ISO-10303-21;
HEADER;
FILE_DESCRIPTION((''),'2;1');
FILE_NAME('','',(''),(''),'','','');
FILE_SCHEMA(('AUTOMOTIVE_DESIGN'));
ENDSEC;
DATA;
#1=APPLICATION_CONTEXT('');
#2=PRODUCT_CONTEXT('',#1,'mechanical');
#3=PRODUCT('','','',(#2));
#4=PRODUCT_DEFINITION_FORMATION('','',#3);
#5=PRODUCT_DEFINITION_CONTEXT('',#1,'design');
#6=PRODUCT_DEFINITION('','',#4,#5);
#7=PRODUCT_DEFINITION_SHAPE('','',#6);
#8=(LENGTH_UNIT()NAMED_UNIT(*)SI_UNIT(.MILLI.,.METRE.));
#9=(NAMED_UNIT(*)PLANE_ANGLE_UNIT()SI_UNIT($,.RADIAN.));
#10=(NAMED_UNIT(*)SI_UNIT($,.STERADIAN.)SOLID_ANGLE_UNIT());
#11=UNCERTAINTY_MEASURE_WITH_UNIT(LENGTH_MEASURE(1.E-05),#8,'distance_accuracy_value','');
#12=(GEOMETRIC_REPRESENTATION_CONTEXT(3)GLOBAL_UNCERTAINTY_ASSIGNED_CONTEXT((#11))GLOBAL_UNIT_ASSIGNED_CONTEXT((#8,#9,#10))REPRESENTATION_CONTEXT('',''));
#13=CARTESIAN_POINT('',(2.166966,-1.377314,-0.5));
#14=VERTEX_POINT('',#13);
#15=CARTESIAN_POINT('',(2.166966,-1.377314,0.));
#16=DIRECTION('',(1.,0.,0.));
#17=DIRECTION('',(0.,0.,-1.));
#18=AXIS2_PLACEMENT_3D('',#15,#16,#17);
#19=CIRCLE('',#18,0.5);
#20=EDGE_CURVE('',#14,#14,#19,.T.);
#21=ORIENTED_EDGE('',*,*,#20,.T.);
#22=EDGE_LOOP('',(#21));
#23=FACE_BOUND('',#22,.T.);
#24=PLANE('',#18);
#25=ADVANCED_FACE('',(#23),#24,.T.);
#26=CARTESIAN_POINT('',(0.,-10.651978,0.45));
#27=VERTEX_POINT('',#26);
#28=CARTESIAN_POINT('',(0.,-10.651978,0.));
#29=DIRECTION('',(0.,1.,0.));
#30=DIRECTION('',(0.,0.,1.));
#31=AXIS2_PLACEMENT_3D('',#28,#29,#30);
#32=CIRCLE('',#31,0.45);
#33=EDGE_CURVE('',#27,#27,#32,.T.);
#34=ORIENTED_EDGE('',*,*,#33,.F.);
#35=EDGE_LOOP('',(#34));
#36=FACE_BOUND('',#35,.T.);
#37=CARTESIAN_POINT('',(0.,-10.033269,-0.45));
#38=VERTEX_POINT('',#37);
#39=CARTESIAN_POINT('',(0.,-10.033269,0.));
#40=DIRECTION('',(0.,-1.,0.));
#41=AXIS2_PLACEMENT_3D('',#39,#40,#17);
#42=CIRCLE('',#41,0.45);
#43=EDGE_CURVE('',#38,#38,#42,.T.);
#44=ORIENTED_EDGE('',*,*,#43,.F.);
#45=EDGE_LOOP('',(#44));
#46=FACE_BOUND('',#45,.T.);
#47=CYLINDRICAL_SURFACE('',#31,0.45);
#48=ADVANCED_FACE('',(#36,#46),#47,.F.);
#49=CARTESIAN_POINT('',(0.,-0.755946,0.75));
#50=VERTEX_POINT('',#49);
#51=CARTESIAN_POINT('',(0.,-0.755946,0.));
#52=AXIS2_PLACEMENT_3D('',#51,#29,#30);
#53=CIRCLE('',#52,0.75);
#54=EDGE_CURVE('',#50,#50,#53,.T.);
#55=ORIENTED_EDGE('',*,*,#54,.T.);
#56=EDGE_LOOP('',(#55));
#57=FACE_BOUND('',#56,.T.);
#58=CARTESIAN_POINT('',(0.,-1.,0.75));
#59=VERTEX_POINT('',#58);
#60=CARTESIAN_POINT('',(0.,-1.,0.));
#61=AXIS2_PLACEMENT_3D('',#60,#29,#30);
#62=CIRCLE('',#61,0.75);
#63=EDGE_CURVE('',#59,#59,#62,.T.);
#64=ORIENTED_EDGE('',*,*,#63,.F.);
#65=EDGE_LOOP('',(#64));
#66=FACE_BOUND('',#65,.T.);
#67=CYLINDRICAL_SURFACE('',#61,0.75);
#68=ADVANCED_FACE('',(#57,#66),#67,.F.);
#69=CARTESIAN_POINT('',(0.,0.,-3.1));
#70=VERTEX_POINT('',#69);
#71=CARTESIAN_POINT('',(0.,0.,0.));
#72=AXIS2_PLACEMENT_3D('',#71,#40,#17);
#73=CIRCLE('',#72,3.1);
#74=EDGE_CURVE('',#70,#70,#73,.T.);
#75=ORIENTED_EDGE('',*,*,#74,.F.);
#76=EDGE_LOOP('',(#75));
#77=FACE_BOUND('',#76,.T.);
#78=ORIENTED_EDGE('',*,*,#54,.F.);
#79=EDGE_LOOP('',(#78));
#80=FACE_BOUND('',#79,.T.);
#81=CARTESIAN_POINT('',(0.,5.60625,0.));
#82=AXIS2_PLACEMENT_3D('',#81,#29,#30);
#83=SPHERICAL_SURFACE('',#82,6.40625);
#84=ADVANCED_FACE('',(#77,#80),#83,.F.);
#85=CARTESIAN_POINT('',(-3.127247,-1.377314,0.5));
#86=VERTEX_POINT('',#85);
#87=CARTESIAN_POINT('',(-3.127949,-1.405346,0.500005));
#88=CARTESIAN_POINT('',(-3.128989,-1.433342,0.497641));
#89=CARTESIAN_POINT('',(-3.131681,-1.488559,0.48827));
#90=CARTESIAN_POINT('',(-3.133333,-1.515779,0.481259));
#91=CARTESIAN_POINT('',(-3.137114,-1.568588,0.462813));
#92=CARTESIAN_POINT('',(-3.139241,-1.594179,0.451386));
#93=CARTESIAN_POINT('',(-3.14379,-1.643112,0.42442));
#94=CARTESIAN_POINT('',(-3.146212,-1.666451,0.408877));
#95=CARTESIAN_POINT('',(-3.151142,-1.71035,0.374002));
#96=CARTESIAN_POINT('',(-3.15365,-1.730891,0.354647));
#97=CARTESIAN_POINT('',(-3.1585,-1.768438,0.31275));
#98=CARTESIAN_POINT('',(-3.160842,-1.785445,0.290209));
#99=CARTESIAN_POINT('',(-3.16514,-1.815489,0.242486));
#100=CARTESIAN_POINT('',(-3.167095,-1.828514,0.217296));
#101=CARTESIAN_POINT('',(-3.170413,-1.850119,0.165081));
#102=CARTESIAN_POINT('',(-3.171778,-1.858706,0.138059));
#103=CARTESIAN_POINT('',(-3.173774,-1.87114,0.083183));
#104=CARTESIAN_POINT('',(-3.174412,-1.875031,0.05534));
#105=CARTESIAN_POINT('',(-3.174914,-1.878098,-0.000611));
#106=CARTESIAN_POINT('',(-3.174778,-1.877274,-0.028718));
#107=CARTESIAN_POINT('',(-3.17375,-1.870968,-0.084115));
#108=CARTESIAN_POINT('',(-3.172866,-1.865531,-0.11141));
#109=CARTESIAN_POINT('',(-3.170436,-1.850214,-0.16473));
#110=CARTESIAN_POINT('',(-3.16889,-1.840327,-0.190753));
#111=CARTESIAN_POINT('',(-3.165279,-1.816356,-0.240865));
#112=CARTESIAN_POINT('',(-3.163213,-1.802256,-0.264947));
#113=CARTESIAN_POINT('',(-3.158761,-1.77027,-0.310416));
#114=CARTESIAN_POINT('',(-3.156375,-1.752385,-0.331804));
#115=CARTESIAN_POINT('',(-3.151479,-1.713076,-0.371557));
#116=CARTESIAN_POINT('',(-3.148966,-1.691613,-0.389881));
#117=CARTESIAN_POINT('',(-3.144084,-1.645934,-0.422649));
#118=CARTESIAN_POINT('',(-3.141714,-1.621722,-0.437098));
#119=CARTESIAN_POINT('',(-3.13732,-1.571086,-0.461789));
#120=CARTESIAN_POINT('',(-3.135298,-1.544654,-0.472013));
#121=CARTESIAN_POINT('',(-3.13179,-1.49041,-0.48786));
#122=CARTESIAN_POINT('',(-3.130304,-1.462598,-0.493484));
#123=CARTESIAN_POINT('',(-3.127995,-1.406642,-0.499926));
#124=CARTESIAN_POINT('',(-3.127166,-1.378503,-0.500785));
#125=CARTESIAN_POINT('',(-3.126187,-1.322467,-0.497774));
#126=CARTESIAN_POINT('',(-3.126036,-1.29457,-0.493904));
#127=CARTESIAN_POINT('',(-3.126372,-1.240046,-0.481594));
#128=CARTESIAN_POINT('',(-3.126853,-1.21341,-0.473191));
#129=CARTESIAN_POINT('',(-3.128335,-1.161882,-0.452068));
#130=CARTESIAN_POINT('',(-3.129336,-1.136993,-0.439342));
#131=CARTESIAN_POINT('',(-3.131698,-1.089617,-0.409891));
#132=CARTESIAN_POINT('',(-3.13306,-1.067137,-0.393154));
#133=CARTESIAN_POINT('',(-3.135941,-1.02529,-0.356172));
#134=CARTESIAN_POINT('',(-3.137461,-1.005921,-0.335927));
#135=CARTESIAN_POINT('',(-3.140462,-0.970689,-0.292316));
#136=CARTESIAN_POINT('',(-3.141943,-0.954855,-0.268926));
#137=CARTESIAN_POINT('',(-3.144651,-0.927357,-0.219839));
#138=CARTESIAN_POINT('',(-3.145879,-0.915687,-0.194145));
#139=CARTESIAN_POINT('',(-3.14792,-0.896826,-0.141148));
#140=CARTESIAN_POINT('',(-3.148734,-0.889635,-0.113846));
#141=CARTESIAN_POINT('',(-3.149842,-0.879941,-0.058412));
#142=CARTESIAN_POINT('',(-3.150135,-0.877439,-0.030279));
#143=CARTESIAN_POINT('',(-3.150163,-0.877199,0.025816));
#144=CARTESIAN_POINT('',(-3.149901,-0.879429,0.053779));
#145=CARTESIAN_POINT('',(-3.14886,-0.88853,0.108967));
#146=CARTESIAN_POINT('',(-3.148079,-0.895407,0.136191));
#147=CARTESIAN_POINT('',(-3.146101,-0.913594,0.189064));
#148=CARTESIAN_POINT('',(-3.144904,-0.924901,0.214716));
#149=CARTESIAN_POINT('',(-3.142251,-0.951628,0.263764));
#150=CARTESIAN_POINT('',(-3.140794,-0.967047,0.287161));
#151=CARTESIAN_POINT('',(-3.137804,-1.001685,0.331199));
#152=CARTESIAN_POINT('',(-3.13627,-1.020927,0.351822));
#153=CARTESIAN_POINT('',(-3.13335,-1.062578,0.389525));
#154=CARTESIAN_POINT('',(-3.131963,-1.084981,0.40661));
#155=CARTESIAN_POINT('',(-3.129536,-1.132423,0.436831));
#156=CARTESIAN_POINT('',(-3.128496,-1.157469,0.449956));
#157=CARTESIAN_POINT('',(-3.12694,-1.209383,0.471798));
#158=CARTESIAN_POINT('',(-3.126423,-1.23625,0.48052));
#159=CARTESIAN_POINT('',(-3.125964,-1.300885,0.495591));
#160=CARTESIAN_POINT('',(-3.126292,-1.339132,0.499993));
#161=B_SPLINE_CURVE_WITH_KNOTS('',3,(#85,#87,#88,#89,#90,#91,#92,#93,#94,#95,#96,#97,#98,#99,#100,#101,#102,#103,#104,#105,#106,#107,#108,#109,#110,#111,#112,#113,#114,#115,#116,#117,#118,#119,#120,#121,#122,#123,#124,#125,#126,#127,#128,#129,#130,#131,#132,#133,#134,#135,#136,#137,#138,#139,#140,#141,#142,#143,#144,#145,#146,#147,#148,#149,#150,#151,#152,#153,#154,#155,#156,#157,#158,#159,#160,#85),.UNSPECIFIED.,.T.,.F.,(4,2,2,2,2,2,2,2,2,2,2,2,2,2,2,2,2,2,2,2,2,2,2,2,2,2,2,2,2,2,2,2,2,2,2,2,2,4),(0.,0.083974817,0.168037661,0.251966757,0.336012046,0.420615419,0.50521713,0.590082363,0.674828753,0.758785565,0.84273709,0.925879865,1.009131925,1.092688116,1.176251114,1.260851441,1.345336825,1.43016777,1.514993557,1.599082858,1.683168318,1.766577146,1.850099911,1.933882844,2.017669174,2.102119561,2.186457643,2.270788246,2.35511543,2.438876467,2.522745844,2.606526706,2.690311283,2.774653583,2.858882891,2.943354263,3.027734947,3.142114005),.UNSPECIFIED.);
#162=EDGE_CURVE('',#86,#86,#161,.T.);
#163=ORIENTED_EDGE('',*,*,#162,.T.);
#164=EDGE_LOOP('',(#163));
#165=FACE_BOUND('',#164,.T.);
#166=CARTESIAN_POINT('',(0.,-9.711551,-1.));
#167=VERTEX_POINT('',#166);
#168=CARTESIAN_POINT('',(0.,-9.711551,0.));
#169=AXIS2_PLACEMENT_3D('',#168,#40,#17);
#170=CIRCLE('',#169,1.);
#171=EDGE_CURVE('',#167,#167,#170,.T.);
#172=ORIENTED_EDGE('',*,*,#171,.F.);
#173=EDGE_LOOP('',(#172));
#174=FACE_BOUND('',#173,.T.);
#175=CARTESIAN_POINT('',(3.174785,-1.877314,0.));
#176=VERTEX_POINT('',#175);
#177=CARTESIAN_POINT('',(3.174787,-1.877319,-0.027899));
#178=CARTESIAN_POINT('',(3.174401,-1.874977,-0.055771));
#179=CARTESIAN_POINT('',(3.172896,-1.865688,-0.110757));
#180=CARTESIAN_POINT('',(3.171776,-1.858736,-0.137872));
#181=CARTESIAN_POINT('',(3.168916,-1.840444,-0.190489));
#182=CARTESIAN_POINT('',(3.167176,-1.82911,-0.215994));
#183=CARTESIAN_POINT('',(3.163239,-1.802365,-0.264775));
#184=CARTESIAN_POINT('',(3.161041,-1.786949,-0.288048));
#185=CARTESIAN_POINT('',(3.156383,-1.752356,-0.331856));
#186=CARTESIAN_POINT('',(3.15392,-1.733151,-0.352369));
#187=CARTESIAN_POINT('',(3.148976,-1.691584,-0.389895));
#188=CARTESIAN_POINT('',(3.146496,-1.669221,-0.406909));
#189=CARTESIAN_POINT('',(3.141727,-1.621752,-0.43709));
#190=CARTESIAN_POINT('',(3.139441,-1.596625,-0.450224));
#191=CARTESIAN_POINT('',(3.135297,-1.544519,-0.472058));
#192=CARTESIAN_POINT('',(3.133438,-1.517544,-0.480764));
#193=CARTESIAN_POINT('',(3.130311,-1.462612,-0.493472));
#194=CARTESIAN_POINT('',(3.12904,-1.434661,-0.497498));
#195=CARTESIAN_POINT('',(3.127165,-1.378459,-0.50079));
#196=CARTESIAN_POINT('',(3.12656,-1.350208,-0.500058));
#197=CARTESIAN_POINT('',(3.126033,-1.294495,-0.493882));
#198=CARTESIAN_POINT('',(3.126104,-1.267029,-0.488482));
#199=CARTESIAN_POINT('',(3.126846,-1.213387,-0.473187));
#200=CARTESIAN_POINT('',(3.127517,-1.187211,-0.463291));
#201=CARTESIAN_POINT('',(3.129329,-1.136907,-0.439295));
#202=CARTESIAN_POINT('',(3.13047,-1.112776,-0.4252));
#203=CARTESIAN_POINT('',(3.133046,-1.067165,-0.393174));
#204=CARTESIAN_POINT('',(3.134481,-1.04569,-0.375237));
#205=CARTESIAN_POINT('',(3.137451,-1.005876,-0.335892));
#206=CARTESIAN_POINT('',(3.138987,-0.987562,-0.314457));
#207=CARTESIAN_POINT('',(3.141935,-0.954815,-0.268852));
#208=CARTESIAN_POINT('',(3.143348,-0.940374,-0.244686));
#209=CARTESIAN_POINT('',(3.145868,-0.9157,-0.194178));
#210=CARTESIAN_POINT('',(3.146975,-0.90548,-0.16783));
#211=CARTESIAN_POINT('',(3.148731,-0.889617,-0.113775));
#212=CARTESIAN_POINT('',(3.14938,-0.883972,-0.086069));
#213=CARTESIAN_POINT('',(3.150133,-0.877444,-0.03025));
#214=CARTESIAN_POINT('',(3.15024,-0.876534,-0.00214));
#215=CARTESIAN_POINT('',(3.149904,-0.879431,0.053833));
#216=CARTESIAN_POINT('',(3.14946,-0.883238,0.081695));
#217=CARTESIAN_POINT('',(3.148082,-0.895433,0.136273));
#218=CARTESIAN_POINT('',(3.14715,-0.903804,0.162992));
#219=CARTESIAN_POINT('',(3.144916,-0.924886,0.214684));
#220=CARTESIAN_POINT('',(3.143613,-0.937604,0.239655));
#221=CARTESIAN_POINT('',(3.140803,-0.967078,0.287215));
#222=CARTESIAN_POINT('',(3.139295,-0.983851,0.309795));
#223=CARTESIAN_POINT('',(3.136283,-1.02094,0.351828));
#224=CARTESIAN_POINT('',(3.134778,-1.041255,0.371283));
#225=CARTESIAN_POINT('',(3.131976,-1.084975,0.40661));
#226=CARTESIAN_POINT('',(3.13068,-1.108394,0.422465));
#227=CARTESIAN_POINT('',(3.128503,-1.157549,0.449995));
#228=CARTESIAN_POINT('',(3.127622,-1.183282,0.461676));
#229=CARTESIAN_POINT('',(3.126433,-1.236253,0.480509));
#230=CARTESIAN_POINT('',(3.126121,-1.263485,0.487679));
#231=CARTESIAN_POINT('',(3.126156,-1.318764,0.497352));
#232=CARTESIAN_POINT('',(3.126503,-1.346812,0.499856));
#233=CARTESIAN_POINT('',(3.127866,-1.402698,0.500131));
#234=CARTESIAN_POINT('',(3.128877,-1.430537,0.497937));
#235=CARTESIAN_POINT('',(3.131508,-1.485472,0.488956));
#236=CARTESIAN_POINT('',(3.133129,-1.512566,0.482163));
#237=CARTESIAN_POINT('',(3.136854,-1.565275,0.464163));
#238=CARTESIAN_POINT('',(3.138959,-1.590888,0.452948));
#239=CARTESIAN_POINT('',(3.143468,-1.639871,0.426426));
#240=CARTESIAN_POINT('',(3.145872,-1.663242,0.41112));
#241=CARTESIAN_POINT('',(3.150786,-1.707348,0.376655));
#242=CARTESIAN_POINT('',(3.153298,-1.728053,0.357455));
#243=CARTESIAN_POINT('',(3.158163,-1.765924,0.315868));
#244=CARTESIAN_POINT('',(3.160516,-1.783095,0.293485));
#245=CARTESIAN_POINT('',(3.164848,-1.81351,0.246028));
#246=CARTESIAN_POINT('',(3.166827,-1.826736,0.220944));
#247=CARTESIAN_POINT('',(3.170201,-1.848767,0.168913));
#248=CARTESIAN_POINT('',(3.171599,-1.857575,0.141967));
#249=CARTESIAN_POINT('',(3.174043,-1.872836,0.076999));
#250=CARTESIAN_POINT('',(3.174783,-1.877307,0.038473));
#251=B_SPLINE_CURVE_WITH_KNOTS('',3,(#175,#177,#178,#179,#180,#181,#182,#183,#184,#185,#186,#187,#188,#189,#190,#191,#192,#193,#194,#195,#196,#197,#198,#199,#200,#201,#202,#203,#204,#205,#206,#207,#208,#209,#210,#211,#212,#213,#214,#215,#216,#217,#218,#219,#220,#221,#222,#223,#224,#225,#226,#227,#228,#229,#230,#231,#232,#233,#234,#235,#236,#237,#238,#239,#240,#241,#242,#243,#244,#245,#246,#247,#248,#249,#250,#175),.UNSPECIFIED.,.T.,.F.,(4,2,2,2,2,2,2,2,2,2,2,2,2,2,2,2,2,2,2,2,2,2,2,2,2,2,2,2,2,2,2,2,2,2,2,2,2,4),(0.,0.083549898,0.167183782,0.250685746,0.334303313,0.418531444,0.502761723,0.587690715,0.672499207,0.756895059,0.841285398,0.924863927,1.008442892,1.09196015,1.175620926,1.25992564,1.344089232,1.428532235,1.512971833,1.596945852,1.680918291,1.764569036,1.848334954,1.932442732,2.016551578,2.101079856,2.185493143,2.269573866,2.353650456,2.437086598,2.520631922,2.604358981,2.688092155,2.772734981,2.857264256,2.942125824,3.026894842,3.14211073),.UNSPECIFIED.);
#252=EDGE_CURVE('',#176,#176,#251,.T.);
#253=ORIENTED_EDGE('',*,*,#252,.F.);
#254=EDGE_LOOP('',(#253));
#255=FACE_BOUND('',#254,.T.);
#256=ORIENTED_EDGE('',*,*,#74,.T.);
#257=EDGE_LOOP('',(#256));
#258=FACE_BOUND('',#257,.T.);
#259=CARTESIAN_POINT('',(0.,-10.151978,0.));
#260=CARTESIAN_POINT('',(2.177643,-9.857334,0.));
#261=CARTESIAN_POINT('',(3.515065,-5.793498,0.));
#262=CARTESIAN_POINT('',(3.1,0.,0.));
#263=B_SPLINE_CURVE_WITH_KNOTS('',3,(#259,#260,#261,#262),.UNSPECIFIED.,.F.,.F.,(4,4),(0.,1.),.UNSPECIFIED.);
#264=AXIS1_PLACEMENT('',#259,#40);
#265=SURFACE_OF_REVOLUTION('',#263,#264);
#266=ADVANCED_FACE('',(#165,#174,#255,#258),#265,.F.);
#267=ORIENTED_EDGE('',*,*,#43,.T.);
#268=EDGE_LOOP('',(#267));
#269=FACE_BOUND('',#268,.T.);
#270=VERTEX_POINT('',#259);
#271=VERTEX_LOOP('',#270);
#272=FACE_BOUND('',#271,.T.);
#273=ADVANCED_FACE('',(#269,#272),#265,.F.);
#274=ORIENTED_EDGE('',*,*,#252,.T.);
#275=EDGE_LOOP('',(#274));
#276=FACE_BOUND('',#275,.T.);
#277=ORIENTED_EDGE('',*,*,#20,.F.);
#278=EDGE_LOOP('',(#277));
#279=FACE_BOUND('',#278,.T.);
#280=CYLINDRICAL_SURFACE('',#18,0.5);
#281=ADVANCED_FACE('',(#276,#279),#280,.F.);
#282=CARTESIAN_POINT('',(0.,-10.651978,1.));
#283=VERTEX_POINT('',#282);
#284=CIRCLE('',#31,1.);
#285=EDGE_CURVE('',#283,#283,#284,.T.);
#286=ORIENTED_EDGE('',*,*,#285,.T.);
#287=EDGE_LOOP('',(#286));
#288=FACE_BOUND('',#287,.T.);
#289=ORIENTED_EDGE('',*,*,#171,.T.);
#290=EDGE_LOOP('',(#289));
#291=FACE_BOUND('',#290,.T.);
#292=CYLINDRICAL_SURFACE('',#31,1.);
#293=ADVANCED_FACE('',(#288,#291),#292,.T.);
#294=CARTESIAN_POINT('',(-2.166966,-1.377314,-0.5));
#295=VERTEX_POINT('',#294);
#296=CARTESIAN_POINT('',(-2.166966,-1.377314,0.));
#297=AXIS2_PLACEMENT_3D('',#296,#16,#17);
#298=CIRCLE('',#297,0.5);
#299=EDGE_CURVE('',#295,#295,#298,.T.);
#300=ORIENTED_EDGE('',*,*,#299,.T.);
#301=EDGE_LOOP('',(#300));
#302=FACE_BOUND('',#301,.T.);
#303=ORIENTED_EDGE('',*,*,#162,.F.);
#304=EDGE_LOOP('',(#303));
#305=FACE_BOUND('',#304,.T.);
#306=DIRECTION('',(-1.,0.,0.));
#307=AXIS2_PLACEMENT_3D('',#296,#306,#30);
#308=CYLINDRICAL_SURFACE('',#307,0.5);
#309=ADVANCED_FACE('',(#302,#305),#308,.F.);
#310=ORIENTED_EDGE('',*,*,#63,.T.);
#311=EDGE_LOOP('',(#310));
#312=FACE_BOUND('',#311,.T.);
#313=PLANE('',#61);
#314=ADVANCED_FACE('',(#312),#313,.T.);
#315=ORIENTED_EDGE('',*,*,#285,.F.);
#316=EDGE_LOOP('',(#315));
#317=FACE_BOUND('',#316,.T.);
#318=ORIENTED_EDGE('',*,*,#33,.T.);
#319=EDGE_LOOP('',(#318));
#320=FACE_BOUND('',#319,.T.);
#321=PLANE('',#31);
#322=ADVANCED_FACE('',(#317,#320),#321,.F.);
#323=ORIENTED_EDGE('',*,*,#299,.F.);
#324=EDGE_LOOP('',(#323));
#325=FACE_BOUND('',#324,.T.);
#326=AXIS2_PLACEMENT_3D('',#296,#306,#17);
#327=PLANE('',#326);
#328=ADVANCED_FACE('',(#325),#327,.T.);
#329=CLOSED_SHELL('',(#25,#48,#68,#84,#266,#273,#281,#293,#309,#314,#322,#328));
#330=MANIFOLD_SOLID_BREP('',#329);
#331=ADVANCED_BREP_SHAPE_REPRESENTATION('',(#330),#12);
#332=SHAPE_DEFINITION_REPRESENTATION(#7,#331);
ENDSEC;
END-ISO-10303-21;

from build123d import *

# Parameters (mm, degrees)
DOME2_FACE_RADIUS               = 3.1
DOME2_HEIGHT                    = 0.8
SKETCH6_R                       = 0.500000006
CUT_EXTRUDE2_DEPTH              = 1
SKETCH7_R                       = 0.75
CUT_EXTRUDE3_DEPTH              = 1
BOSS_EXTRUDE1_REACH             = 12.152
SKETCH9_R                       = 1
SKETCH9_R_2                     = 0.45
BOSS_EXTRUDE1_DIRECTION_2_DEPTH = 0.5


with BuildPart() as part:
    # Sketch2 → Revolve2 (revolve)
    with BuildSketch(Plane.XY):
        with BuildLine():
            Line((0, 0), (3.1, 0))
            add(Edge.make_bspline(
                [(0, -10.151978408), (2.177642547, -9.857333884), (3.515065362, -5.793498011), (3.1, 0)],
                knots=[0, 0, 0, 0, 1, 1, 1, 1], degree=3))
            Line((0, -10.151978408), (0, 0))
        make_face()
    revolve(axis=Axis((0, -10.151978408, 0), (0, 1, 0)))

    # Dome2: a dome of height H over a round flat face of radius A is a cap of a sphere of radius (A * A + H * H) / (2 * H)
    dome2_r = (DOME2_FACE_RADIUS * DOME2_FACE_RADIUS + DOME2_HEIGHT * DOME2_HEIGHT) / (2 * DOME2_HEIGHT)
    dome2_base = Plane((0, 0, 0), z_dir=(0, -1, 0))
    with Locations(dome2_base.offset(DOME2_HEIGHT - dome2_r)):
        dome2_ball = Sphere(dome2_r, mode=Mode.PRIVATE)
    add(split(dome2_ball, bisect_by=dome2_base, keep=Keep.TOP, mode=Mode.PRIVATE), mode=Mode.SUBTRACT)

    # Sketch6 → Cut-Extrude2 (cut, symmetric)
    with BuildSketch(Plane(origin=(3.16696636, 0, 0), x_dir=(0, 0, -1), z_dir=(1, 0, 0))):
        with Locations((0, -1.377313707)):
            Circle(SKETCH6_R)
    cut_extrude2 = extrude(amount=CUT_EXTRUDE2_DEPTH, both=True, mode=Mode.SUBTRACT)

    # Mirror1: Cut-Extrude2 across plane
    add(cut_extrude2.mirror(Plane(origin=(0, 0, 0), x_dir=(0, 0, 1), z_dir=(1, 0, 0))), mode=Mode.SUBTRACT)

    # Sketch7 → Cut-Extrude3 (cut)
    with BuildSketch(Plane(origin=(0, 0, 0), x_dir=(1, 0, 0), z_dir=(0, 1, 0))):
        Circle(SKETCH7_R)
    extrude(amount=-CUT_EXTRUDE3_DEPTH, mode=Mode.SUBTRACT)

    # Sketch9 → Boss-Extrude1 (add, up to next)
    with BuildSketch(Plane(origin=(0, -10.151978408, 0), x_dir=(1, 0, 0), z_dir=(0, 1, 0)), mode=Mode.PRIVATE) as boss_extrude1_sk1:
        Circle(SKETCH9_R)
        Circle(SKETCH9_R_2, mode=Mode.SUBTRACT)
    boss_extrude1_tool1 = extrude(boss_extrude1_sk1.sketch, amount=BOSS_EXTRUDE1_REACH, mode=Mode.PRIVATE) - part.part
    add(boss_extrude1_tool1.solids().sort_by_distance((-0.971716, -10.151978, 0))[0])

    # Sketch9 → Boss-Extrude1 direction 2 (add)
    with BuildSketch(Plane(origin=(0, -10.151978408, 0), x_dir=(1, 0, 0), z_dir=(0, 1, 0))):
        Circle(SKETCH9_R)
        Circle(SKETCH9_R_2, mode=Mode.SUBTRACT)
    extrude(amount=-BOSS_EXTRUDE1_DIRECTION_2_DEPTH)


solid = part.part
